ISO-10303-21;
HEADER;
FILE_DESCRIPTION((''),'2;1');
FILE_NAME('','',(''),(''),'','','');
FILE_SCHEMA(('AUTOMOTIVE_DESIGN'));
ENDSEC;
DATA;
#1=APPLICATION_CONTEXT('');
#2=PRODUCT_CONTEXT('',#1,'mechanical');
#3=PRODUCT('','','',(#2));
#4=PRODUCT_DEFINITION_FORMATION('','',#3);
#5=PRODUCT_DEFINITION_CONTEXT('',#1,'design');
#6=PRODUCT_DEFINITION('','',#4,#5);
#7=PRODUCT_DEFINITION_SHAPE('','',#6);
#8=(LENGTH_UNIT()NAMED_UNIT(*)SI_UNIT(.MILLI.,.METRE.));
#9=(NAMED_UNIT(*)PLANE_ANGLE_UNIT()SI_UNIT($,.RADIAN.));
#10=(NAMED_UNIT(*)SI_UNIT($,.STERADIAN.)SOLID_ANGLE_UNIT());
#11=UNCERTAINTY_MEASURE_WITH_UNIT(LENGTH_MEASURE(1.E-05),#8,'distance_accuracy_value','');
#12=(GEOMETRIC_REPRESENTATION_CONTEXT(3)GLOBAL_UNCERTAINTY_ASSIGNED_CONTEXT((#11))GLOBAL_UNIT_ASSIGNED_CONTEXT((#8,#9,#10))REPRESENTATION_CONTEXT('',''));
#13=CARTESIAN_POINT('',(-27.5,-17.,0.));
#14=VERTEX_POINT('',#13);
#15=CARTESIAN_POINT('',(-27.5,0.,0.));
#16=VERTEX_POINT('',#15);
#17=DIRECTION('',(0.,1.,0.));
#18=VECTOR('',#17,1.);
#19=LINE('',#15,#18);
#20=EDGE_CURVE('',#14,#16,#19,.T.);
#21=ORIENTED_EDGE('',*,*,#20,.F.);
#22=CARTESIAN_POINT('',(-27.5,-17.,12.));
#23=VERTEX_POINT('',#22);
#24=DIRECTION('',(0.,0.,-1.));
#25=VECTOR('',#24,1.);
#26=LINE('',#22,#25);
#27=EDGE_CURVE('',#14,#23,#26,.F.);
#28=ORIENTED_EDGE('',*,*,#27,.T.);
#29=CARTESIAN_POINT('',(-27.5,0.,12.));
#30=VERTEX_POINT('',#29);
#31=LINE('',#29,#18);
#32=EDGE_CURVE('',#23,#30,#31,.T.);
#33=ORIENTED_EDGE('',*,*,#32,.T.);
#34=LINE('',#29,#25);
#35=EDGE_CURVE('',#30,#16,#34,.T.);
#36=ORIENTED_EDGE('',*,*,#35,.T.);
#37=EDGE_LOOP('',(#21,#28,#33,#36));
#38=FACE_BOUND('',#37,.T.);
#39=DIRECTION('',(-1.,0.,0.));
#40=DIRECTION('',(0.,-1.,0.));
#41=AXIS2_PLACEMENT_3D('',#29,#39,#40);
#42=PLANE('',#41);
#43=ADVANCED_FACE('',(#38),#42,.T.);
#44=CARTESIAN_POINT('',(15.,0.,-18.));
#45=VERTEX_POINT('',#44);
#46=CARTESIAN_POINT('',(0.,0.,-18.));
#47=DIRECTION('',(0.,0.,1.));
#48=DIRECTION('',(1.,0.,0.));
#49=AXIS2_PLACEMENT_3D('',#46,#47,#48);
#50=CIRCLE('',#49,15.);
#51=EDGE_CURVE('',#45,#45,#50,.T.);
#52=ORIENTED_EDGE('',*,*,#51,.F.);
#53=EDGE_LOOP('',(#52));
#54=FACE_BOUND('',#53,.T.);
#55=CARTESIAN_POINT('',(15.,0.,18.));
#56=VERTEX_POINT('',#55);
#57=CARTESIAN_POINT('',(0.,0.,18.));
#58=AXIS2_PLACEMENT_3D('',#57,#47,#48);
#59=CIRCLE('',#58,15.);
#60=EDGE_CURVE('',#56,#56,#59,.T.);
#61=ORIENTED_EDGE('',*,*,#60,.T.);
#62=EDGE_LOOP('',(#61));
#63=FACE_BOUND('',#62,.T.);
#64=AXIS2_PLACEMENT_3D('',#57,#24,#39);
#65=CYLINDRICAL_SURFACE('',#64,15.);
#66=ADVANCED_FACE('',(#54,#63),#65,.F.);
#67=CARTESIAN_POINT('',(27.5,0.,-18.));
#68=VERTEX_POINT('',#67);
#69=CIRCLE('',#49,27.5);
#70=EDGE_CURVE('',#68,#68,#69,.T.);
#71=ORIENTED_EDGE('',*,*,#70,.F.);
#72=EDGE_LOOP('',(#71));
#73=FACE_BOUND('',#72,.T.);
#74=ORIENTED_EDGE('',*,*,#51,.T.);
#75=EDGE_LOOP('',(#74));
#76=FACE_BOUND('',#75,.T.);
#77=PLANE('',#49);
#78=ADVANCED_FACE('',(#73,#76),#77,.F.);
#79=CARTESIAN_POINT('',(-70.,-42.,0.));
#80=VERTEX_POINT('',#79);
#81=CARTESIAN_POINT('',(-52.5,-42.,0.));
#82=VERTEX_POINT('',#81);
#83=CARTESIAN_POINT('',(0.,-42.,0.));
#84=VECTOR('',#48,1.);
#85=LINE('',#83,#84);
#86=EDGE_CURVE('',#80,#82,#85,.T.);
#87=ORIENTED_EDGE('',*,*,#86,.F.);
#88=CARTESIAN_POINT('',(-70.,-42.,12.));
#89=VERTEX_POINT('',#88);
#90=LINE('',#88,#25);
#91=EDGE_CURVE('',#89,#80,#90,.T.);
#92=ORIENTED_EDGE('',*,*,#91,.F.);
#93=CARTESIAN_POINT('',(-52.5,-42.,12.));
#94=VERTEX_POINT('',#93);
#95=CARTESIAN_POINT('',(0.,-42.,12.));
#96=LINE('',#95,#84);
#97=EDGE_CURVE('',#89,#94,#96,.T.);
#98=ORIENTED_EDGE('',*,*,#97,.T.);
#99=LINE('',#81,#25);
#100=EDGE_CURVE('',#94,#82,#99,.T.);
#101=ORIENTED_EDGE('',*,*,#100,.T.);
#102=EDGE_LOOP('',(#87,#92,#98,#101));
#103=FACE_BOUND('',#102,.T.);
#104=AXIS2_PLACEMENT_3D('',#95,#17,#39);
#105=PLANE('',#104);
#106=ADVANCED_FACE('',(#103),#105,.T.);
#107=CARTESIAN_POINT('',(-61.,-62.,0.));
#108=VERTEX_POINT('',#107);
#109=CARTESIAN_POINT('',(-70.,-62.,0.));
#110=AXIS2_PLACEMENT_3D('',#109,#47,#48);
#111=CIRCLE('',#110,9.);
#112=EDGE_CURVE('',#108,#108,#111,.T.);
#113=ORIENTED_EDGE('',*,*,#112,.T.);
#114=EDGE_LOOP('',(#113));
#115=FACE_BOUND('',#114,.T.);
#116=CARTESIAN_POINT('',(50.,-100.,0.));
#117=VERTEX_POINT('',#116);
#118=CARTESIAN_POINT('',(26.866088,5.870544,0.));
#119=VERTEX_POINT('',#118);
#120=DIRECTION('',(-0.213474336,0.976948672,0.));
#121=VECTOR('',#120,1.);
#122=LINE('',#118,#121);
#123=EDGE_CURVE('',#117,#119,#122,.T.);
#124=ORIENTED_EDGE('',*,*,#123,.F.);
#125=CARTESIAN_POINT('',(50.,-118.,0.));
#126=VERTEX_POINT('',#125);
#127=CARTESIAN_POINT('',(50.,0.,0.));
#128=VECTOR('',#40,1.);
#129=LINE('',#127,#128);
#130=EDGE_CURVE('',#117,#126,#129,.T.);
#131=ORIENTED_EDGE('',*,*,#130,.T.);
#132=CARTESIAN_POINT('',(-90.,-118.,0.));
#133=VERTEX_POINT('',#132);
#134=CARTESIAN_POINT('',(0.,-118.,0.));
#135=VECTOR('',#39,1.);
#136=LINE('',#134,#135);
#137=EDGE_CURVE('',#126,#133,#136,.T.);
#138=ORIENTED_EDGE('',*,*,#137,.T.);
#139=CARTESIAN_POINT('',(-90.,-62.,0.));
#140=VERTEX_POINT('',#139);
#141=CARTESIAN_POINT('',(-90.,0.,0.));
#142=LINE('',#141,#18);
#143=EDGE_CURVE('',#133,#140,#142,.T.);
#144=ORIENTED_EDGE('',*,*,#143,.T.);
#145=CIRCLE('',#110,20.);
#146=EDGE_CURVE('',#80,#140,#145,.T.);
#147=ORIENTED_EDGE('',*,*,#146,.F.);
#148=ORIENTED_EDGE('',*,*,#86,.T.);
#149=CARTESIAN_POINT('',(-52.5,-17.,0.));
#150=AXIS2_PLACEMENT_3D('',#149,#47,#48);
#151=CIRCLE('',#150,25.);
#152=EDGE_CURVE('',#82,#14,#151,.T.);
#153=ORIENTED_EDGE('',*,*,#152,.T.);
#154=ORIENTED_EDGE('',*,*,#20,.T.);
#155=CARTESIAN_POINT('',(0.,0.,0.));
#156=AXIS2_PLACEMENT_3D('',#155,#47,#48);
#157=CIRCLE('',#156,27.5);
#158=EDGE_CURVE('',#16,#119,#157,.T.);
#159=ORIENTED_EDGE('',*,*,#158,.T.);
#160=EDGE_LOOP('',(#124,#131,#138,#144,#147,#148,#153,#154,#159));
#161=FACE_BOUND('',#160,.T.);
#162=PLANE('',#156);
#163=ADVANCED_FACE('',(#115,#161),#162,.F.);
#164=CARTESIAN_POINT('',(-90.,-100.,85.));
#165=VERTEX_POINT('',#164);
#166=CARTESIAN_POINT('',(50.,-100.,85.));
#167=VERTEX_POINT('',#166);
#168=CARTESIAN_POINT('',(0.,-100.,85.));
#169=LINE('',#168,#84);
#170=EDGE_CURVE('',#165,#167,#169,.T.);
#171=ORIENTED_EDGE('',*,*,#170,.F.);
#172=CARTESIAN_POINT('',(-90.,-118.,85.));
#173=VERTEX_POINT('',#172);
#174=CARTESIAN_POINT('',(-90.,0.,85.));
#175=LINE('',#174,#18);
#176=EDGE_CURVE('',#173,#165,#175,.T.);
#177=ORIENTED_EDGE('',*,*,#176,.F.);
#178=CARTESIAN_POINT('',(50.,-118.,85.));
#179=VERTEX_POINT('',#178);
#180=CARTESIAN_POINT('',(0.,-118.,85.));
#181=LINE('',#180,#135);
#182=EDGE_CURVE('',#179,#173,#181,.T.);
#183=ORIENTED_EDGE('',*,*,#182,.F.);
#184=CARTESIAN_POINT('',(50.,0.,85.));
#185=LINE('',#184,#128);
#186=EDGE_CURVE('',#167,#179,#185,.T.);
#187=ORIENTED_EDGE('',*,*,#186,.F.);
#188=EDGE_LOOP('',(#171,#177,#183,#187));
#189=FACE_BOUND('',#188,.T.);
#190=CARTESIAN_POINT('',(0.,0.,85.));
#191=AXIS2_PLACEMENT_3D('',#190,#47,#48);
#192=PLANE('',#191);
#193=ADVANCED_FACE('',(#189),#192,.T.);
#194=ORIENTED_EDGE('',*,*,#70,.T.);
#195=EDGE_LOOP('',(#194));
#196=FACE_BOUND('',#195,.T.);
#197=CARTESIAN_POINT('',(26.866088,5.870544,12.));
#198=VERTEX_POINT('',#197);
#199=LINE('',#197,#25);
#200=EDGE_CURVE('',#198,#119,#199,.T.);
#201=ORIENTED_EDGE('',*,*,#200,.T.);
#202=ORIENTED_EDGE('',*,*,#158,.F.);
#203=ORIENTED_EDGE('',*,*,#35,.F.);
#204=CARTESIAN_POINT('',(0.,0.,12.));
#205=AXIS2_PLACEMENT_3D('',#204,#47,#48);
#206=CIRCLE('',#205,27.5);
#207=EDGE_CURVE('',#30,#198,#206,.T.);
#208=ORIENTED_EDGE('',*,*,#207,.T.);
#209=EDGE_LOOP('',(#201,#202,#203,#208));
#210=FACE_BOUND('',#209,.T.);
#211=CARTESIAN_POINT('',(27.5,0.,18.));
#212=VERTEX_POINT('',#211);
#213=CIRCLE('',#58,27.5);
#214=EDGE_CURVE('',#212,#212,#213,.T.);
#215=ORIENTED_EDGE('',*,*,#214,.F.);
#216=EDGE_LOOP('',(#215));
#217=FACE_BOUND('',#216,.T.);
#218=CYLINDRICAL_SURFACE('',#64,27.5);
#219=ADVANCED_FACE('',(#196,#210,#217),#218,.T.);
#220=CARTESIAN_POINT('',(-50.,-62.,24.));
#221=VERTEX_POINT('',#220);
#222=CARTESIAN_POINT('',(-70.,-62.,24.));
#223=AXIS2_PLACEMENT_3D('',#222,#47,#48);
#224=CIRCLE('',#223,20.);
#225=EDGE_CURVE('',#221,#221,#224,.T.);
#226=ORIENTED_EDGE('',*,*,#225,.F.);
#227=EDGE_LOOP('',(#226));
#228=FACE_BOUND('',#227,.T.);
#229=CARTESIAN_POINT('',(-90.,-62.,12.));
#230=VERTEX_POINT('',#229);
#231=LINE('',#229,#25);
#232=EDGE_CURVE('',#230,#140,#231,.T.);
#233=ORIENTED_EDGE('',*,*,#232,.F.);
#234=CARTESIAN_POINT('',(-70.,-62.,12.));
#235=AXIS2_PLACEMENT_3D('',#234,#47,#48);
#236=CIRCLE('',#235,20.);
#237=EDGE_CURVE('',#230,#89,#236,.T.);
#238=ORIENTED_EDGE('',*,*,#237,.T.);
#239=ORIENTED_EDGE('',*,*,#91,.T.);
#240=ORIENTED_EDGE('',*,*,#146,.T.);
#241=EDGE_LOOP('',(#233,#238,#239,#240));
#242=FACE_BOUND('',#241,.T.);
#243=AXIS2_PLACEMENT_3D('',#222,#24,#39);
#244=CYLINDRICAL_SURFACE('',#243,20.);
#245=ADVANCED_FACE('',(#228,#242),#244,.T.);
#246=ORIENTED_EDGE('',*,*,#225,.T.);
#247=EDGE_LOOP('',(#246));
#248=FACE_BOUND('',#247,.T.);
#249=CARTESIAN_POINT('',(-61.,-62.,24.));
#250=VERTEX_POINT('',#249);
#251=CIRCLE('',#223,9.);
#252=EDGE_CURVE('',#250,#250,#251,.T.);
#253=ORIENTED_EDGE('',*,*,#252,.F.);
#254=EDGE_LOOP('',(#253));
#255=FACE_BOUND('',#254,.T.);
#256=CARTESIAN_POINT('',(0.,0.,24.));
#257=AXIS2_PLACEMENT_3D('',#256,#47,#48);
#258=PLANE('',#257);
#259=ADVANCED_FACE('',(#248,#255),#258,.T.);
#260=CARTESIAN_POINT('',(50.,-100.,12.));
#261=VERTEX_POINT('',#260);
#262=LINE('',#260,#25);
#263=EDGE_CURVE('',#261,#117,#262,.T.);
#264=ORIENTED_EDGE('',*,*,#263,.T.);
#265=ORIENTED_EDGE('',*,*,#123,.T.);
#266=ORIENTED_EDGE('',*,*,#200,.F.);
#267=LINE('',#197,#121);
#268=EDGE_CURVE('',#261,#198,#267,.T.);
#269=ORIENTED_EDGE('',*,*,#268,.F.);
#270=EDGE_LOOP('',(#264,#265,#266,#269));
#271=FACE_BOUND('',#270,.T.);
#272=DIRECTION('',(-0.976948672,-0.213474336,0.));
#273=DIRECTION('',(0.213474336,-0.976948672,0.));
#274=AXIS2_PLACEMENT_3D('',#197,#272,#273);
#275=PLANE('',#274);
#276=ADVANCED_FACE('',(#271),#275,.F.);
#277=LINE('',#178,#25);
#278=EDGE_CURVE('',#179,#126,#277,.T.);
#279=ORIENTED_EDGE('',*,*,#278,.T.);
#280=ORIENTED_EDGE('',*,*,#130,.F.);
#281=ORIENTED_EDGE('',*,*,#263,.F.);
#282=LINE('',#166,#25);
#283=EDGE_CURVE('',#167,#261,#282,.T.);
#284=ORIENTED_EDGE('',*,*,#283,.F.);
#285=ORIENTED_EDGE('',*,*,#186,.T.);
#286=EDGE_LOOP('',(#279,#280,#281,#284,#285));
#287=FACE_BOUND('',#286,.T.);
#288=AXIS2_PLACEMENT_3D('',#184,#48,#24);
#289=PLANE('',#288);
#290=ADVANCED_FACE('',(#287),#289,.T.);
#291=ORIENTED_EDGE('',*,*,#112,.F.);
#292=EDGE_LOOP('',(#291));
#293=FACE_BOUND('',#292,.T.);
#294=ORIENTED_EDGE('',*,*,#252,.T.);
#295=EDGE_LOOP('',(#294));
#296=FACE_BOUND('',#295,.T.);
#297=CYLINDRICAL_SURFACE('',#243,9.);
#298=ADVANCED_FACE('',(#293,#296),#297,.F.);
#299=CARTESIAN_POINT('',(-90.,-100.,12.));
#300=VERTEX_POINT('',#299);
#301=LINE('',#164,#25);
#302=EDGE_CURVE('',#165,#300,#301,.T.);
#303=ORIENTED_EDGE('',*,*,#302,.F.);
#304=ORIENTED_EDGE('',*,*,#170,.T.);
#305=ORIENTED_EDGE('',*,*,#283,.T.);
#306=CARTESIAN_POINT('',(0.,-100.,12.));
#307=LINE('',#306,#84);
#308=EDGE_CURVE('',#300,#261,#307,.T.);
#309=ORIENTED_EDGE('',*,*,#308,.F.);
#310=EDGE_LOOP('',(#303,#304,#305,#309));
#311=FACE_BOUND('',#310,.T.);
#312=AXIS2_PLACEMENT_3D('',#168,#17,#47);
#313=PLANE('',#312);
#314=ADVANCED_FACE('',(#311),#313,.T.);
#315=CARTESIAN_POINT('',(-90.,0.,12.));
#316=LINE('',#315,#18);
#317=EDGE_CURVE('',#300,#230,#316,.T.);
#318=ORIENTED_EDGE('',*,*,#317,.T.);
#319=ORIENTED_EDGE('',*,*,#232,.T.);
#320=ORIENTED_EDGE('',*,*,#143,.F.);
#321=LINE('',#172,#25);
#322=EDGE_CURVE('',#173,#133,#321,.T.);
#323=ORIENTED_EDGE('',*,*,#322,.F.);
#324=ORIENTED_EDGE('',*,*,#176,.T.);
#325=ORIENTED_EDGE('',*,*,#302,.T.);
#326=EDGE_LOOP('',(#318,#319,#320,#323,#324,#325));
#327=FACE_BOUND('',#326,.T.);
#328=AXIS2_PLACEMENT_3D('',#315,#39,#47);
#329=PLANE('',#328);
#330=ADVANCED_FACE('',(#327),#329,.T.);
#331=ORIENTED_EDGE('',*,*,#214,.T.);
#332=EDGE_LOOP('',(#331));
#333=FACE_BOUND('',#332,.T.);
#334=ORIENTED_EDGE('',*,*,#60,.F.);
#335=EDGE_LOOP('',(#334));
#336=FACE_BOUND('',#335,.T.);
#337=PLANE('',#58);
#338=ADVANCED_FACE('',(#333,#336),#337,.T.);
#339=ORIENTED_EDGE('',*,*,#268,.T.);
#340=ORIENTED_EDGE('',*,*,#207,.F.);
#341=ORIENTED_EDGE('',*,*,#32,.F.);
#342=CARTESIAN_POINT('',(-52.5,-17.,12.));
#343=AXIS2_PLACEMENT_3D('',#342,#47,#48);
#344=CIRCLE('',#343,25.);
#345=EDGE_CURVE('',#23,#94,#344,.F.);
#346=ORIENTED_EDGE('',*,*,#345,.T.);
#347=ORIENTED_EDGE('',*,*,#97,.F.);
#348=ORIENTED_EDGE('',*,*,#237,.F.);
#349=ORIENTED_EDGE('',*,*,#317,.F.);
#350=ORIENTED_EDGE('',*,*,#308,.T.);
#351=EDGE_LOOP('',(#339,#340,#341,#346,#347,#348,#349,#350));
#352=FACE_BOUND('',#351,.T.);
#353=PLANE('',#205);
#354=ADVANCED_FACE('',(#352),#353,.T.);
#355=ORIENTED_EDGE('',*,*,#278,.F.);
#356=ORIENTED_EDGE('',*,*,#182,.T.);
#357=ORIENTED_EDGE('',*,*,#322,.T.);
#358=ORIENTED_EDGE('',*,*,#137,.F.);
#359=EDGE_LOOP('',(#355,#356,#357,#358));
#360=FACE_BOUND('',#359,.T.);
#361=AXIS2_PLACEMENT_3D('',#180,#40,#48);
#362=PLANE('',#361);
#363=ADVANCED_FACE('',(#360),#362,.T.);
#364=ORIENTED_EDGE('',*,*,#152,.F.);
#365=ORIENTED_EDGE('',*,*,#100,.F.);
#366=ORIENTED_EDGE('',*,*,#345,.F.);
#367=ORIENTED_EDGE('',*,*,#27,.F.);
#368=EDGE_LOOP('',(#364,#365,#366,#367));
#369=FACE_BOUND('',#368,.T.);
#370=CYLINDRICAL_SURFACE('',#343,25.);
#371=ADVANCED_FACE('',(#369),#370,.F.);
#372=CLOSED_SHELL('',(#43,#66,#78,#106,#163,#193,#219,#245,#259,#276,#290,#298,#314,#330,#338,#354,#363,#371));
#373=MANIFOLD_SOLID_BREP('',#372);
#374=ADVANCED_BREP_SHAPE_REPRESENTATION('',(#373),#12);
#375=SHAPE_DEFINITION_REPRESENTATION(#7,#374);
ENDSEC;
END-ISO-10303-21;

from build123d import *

# Parameters (mm, degrees)
BOSS_EXTRUDE1_DEPTH = 12
SKETCH2_3_R         = 9
BOSS_EXTRUDE2_DEPTH = 24
SKETCH2_4_R         = 15
BOSS_EXTRUDE3_DEPTH = 18
BOSS_EXTRUDE4_DEPTH = 85
FILLET1_R           = 25


with BuildPart() as part:
    # Sketch2 → Boss-Extrude1 (new body)
    with BuildSketch(Plane.XY):
        with BuildLine():
            Line((-90, -100), (0, -100))
            Line((0, -100), (50, -100))
            Line((50, -100), (26.866088482, 5.870544241))
            ThreePointArc((26.866088482, 5.870544241), (27.341062829, 2.952335241), (27.5, 0))
            ThreePointArc((27.5, 0), (0, -27.5), (-27.5, 0))
            Line((-27.5, 0), (-27.5, -42))
            Line((-27.5, -42), (-70, -42))
            ThreePointArc((-70, -42), (-55.857864376, -47.857864376), (-50, -62))
            ThreePointArc((-50, -62), (-70, -82), (-90, -62))
            Line((-90, -62), (-90, -100))
        make_face()
    extrude(amount=BOSS_EXTRUDE1_DEPTH)

    # Sketch2<3> → Boss-Extrude2 (add)
    with BuildSketch(Plane.XY):
        with BuildLine():
            ThreePointArc((-70, -42), (-84.142135624, -47.857864376), (-90, -62))
            ThreePointArc((-90, -62), (-70, -82), (-50, -62))
            ThreePointArc((-50, -62), (-55.857864376, -47.857864376), (-70, -42))
        make_face()
        with Locations((-70, -62)):
            Circle(SKETCH2_3_R, mode=Mode.SUBTRACT)
    extrude(amount=BOSS_EXTRUDE2_DEPTH)

    # Sketch2<4> → Boss-Extrude3 (add, symmetric)
    with BuildSketch(Plane.XY):
        with BuildLine():
            ThreePointArc((27.5, 0), (27.341062829, 2.952335241), (26.866088482, 5.870544241))
            ThreePointArc((26.866088482, 5.870544241), (-2.952335241, 27.341062829), (-27.5, 0))
            ThreePointArc((-27.5, 0), (0, -27.5), (27.5, 0))
        make_face()
        Circle(SKETCH2_4_R, mode=Mode.SUBTRACT)
    extrude(amount=BOSS_EXTRUDE3_DEPTH, both=True)

    # Sketch2<5> → Boss-Extrude4 (add)
    with BuildSketch(Plane.XY):
        Polygon((50, -100), (0, -100), (-90, -100), (-90, -118), (50, -118), align=None)
    extrude(amount=BOSS_EXTRUDE4_DEPTH)

    # Fillet1
    fillet1_edges = [part.edges().sort_by_distance(p)[0] for p in [
        (-27.5, -42, 6),
    ]]
    fillet(fillet1_edges, radius=FILLET1_R)


solid = part.part
